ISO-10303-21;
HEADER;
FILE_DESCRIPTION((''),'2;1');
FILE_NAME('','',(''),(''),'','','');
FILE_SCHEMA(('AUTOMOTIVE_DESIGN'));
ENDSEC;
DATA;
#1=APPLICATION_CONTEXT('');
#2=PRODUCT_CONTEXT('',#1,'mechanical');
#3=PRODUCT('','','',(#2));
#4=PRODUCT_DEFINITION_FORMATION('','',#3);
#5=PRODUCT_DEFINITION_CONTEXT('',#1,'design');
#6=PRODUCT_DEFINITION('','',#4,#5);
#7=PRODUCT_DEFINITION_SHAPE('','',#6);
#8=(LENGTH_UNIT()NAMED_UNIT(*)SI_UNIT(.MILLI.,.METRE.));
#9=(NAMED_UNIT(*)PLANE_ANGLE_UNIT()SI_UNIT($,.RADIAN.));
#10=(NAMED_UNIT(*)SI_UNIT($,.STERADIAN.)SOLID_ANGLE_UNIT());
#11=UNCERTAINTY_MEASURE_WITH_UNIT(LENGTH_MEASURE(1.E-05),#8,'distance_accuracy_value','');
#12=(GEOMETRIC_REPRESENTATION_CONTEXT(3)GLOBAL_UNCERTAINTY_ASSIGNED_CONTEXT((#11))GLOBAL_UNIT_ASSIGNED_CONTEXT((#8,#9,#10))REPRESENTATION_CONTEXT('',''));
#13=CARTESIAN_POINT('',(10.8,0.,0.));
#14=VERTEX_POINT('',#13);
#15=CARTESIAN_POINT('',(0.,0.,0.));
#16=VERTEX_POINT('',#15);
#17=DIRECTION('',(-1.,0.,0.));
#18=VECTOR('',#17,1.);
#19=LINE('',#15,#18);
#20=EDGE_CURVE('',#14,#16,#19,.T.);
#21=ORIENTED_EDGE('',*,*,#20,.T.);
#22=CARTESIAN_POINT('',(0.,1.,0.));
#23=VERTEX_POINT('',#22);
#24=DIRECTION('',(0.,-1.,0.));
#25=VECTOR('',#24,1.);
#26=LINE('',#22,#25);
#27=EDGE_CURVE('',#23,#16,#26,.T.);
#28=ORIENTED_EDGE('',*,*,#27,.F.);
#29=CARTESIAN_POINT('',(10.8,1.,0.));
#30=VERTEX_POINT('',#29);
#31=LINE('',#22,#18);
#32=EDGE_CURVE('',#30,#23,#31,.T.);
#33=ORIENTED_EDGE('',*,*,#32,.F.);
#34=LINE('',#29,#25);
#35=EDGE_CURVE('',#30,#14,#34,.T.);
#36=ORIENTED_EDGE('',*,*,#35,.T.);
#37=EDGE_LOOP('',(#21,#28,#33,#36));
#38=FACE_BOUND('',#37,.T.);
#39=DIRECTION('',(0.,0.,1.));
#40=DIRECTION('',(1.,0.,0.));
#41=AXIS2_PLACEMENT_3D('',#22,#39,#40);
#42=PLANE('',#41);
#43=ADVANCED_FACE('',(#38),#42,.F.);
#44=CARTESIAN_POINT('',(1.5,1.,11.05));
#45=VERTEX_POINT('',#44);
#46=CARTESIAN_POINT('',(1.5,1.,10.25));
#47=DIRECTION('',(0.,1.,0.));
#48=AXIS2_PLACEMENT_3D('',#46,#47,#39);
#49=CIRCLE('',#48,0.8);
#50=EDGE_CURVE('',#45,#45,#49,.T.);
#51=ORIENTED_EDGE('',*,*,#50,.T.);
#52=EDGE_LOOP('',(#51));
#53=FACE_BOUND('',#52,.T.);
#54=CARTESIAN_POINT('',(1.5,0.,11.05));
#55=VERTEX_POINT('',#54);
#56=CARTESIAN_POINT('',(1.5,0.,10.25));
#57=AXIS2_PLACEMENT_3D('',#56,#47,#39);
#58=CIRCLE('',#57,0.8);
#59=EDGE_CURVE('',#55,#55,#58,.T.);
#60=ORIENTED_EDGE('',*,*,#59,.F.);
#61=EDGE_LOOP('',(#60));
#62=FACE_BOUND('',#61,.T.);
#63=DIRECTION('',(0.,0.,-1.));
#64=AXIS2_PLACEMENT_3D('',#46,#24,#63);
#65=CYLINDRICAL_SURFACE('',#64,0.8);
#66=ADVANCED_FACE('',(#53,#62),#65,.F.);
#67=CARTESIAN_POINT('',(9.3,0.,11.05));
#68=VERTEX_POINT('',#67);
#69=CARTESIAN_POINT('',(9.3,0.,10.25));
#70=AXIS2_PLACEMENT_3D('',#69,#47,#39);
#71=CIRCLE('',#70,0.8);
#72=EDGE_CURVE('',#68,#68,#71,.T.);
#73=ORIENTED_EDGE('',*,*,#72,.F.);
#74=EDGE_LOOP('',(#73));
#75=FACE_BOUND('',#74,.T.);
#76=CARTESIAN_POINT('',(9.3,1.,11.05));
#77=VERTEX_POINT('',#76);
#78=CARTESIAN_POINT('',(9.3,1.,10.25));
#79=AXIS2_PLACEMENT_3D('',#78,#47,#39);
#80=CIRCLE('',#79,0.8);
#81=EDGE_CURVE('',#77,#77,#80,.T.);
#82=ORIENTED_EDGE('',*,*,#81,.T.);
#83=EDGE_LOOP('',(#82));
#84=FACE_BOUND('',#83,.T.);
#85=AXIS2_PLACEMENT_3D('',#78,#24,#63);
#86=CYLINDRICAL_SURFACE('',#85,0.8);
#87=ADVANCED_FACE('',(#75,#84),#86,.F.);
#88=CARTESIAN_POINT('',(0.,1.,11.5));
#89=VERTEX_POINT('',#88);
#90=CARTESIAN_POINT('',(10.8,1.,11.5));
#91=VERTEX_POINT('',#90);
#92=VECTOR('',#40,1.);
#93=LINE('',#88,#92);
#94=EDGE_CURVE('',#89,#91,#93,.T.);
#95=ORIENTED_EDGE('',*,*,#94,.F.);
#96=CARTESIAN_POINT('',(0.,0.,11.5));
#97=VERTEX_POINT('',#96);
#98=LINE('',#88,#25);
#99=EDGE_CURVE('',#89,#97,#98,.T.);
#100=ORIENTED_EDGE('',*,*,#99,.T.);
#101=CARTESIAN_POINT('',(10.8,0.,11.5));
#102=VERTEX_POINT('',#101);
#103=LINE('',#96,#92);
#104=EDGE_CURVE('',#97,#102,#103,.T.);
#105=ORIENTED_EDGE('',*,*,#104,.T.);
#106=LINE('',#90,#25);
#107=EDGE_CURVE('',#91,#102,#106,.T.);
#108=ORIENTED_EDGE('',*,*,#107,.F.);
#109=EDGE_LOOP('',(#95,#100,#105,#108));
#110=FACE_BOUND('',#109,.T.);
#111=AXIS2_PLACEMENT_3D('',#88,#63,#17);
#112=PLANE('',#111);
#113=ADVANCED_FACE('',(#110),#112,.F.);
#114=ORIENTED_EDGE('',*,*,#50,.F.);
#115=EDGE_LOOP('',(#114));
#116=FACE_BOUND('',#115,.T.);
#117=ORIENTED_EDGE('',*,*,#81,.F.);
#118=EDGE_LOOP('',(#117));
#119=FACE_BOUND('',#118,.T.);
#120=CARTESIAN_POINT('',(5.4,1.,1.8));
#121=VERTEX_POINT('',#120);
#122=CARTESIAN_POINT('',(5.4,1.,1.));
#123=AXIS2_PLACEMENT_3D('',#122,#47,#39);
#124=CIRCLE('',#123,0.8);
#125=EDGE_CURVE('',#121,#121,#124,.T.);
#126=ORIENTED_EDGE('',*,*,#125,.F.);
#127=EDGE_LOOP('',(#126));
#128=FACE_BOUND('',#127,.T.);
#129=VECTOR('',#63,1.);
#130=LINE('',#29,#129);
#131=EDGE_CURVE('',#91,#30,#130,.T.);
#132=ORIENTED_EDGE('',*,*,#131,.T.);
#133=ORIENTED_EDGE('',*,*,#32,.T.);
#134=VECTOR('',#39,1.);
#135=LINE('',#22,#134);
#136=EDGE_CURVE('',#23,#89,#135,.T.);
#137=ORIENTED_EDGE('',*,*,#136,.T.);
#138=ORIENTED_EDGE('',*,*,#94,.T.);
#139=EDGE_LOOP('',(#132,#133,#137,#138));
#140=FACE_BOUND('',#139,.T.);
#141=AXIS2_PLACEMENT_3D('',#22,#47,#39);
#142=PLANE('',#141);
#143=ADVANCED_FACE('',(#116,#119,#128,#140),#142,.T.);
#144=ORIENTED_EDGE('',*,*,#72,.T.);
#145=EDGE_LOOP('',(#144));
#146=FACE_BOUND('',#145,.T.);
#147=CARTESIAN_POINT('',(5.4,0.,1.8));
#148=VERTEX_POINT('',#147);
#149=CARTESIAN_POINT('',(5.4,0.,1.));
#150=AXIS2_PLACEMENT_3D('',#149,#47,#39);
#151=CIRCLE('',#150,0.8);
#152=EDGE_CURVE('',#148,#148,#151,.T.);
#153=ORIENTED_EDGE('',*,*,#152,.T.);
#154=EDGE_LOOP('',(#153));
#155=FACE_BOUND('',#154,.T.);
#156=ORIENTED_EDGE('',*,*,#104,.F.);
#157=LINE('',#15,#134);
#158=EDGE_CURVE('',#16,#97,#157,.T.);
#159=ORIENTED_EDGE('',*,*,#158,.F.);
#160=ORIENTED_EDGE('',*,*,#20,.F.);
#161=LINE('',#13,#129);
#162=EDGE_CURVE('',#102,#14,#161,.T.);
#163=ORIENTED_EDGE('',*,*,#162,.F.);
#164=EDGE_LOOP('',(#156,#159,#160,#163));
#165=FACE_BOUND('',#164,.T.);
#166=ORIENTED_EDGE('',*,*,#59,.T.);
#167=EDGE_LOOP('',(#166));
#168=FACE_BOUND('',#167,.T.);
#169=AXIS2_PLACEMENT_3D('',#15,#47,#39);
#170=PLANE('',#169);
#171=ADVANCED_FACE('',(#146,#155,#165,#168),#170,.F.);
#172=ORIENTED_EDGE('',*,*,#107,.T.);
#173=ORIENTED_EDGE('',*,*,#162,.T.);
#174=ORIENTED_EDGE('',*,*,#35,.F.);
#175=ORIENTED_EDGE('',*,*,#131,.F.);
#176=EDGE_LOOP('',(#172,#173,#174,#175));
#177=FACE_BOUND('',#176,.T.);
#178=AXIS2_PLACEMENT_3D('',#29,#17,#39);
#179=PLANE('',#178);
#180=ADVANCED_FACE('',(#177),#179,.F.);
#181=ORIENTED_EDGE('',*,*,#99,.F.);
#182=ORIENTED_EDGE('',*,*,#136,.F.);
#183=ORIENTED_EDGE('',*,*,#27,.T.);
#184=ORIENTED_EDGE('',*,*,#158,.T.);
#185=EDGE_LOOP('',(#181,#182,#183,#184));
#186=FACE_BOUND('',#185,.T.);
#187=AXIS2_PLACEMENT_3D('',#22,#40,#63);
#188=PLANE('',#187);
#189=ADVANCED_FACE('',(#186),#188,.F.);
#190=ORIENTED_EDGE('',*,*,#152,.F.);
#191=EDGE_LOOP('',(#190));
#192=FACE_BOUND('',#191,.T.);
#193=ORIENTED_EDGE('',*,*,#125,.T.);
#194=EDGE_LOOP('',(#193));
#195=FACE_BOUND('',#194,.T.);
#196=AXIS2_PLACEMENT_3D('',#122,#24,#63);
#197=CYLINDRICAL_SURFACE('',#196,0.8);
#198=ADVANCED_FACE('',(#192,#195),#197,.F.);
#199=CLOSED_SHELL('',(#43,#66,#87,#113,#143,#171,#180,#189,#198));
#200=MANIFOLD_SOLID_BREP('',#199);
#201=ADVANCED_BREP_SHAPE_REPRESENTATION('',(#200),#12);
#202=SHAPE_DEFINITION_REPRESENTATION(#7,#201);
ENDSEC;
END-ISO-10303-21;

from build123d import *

# Parameters (mm, degrees)
SKETCH_1_W      = 10.8
SKETCH_1_H      = 11.5
SKETCH_1_R      = 0.8
EXTRUDE_1_DEPTH = 1


with BuildPart() as part:
    # 草图1 → 凸台-拉伸1 (new body)
    with BuildSketch(Plane(origin=(0, 0, 0), x_dir=(1, 0, 0), z_dir=(0, 1, 0))):
        with Locations((5.4, -5.75)):
            Rectangle(SKETCH_1_W, SKETCH_1_H)
        with Locations(Location((5.4, -1, 0), (0, 0, 270))):
            Circle(SKETCH_1_R, mode=Mode.SUBTRACT)
        with Locations(Location((9.3, -10.25, 0), (0, 0, 270))):
            Circle(SKETCH_1_R, mode=Mode.SUBTRACT)
        with Locations(Location((1.5, -10.25, 0), (0, 0, 270))):
            Circle(SKETCH_1_R, mode=Mode.SUBTRACT)
    extrude(amount=EXTRUDE_1_DEPTH)


solid = part.part
